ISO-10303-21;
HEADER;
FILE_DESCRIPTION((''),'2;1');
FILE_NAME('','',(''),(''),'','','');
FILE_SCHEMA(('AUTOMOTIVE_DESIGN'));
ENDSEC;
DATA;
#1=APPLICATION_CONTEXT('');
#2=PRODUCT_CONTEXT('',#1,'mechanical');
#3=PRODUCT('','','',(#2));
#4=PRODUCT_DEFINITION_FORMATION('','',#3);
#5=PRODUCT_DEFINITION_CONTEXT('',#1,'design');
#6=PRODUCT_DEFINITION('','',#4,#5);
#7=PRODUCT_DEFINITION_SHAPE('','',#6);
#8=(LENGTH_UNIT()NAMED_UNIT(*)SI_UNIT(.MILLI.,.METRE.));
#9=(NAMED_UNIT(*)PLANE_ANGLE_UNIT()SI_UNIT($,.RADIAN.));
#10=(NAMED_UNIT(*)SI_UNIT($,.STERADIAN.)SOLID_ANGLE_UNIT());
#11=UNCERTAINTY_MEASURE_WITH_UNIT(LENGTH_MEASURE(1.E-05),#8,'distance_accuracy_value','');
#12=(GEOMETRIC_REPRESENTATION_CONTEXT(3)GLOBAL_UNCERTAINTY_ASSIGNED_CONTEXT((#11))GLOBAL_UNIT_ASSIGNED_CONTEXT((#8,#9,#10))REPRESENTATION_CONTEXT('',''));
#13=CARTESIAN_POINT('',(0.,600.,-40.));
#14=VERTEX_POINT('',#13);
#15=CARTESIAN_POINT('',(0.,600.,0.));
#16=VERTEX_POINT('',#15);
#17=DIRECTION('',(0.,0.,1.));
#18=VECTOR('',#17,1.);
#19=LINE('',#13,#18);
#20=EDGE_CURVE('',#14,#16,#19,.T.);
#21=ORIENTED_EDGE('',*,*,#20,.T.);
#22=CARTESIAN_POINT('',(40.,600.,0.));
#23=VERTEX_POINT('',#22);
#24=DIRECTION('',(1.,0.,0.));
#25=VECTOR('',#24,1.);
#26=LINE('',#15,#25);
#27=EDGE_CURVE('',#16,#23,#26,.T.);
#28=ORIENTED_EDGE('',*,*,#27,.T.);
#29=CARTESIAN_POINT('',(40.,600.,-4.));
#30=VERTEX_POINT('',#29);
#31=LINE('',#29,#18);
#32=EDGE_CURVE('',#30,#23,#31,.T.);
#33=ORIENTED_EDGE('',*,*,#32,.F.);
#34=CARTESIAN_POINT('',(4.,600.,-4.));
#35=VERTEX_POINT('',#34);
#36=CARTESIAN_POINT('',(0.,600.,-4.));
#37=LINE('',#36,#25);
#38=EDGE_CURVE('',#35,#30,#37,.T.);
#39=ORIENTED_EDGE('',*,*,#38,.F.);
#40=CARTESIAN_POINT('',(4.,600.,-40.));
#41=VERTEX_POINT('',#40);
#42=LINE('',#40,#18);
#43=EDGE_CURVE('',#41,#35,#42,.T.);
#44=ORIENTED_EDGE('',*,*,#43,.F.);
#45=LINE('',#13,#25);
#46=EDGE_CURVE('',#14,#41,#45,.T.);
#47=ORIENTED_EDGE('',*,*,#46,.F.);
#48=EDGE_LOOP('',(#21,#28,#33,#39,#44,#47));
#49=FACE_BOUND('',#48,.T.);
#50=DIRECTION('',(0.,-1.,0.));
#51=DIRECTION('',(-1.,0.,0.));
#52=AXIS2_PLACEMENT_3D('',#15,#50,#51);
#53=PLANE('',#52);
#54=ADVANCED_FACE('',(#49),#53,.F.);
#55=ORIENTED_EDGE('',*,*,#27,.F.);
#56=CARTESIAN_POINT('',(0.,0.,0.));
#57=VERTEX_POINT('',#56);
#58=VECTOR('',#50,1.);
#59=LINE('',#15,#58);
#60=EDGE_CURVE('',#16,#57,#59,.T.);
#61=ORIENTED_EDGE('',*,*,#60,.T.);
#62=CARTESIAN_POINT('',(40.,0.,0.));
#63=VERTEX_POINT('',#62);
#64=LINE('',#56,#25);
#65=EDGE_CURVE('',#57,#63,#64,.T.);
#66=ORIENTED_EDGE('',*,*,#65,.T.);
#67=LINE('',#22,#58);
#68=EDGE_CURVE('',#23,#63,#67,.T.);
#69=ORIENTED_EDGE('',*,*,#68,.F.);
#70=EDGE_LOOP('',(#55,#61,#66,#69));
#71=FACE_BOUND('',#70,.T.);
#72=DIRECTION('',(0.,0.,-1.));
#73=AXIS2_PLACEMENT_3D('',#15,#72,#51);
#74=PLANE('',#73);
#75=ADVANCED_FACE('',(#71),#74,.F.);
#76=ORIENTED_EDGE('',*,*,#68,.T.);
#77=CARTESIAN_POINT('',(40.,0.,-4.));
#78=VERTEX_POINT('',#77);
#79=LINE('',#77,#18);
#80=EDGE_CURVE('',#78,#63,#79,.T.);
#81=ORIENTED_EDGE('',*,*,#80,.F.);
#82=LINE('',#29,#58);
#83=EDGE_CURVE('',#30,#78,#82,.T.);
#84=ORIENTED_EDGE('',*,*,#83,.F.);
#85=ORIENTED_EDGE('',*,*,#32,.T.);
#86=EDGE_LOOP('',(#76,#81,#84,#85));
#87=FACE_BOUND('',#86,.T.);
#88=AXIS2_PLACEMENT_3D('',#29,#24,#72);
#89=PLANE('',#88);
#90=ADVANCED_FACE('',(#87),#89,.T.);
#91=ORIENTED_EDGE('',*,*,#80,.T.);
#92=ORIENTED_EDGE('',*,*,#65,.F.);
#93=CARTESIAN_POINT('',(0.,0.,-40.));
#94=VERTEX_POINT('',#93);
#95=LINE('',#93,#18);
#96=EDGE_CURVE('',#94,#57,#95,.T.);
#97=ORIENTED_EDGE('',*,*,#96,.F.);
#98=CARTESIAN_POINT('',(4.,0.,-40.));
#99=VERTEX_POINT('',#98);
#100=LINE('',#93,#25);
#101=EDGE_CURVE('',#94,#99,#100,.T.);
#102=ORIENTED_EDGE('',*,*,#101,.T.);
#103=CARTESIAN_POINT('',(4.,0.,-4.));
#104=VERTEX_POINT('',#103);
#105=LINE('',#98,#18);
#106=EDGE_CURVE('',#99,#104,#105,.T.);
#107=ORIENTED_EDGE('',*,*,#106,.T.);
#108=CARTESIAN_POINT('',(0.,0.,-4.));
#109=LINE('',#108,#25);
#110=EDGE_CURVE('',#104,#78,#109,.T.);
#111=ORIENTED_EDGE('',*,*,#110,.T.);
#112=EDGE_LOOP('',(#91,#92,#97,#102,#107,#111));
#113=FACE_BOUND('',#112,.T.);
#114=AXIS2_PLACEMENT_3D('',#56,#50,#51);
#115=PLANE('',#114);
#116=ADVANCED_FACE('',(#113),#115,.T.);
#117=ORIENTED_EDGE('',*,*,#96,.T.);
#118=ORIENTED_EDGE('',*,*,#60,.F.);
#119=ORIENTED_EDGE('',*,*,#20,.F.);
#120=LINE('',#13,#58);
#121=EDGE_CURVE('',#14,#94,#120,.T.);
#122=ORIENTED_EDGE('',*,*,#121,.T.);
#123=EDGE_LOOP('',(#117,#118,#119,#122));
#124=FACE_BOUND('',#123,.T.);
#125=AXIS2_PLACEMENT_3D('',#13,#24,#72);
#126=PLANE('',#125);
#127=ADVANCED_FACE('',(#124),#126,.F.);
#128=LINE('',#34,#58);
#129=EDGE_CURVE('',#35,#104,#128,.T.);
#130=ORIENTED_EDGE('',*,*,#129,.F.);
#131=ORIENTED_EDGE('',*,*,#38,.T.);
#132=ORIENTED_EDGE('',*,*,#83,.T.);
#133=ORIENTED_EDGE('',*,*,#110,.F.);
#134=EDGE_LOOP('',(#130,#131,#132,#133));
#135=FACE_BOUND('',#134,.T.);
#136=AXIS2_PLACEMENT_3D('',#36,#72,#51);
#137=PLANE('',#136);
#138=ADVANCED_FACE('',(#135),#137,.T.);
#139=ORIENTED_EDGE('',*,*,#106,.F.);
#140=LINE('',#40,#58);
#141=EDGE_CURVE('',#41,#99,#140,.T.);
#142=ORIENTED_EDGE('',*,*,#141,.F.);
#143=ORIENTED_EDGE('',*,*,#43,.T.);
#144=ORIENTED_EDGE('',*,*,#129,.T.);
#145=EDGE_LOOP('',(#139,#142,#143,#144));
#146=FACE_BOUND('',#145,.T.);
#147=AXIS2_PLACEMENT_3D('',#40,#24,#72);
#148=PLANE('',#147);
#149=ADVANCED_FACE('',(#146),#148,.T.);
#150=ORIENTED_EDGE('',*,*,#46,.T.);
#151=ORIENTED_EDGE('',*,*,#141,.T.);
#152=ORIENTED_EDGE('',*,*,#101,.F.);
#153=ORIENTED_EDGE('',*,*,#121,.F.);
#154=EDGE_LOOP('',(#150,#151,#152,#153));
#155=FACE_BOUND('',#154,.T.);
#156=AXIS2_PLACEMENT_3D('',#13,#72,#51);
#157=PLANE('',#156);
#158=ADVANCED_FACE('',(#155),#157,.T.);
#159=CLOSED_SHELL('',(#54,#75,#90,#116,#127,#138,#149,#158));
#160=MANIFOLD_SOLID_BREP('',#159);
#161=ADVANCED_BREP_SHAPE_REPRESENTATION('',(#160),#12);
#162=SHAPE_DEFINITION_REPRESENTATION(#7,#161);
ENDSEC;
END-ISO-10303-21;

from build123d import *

# Parameters (mm, degrees)
EXTRUDE_1_DEPTH = 600


with BuildPart() as part:
    # Эскиз1 → Вытянуть-Тонкостенный1 (new body)
    with BuildSketch(Plane(origin=(0, 0, 0), x_dir=(1, 0, 0), z_dir=(0, 1, 0))):
        Polygon((0, 40), (0, 0), (40, 0), (40, 4), (4, 4), (4, 40), align=None)
    extrude(amount=EXTRUDE_1_DEPTH)


solid = part.part
